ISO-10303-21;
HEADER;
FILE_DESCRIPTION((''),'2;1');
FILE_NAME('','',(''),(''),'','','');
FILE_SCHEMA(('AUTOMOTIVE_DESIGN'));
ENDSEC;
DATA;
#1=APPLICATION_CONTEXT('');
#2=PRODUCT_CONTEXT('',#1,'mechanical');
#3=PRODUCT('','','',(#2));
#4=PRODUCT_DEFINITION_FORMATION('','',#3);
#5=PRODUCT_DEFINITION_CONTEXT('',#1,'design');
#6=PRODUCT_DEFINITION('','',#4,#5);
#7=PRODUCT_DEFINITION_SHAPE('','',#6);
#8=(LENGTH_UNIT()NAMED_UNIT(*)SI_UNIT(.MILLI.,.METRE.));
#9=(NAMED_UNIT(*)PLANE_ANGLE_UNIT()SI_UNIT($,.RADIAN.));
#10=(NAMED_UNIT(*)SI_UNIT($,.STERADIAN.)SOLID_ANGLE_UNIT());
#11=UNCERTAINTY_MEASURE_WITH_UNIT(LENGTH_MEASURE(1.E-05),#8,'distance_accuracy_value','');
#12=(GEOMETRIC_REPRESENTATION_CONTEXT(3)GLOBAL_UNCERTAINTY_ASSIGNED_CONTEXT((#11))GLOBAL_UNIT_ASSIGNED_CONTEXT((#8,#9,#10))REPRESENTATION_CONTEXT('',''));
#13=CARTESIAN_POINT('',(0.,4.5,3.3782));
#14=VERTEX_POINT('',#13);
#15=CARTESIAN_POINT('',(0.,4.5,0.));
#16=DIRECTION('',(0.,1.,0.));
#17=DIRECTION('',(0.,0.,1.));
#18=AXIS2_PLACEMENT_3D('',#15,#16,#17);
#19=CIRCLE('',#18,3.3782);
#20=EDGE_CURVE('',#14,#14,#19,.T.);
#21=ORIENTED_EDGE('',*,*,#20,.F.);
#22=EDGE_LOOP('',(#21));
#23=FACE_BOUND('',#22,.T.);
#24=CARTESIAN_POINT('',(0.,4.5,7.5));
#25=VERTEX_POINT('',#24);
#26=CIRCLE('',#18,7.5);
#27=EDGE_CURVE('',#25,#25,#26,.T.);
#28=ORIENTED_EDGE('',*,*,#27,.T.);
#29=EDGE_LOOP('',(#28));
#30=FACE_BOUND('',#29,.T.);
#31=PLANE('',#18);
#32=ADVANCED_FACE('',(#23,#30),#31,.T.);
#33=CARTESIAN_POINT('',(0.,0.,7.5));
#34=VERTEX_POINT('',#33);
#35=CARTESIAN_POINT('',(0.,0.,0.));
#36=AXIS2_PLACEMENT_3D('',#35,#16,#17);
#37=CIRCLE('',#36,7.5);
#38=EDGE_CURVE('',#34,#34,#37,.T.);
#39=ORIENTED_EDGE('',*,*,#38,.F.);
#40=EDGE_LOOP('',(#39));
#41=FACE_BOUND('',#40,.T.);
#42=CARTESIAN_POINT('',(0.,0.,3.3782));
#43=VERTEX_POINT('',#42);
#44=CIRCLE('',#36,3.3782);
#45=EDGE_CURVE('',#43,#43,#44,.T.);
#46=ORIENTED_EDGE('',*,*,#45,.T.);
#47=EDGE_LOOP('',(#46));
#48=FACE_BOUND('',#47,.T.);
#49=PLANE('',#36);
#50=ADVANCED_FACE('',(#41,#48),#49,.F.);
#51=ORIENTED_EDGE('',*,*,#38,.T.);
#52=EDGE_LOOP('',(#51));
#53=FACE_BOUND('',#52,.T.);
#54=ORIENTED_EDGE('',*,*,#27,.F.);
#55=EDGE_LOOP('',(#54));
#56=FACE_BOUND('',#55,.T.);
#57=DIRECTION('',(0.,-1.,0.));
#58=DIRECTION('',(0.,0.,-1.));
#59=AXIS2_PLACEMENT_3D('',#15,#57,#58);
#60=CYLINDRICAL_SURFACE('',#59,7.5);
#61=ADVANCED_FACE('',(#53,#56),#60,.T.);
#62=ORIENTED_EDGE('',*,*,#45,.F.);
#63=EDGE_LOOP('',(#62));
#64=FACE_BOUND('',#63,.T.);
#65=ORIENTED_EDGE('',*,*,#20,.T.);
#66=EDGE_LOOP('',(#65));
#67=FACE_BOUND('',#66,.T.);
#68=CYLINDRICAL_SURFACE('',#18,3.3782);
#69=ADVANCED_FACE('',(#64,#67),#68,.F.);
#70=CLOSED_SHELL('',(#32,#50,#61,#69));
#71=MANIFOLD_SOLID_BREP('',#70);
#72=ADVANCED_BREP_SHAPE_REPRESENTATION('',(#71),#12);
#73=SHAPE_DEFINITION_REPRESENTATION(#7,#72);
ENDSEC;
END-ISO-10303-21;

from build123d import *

# Parameters (mm, degrees)
SKETCH1_R               = 7.5
BOSS_EXTRUDE1_DEPTH     = 4.5
F_1_4_CLEARANCE_HOLE1_D = 6.7564


with BuildPart() as part:
    # Sketch1 → Boss-Extrude1 (new body)
    with BuildSketch(Plane(origin=(0, 0, 0), x_dir=(1, 0, 0), z_dir=(0, 1, 0))):
        Circle(SKETCH1_R)
    extrude(amount=BOSS_EXTRUDE1_DEPTH)

    # 1/4 Clearance Hole1 (through all)
    with Locations(Plane(origin=(0, 4.5, 0), x_dir=(1, 0, 0), z_dir=(0, 1, 0))):
        with Locations((0, 0)):
            Hole(F_1_4_CLEARANCE_HOLE1_D / 2)


solid = part.part
